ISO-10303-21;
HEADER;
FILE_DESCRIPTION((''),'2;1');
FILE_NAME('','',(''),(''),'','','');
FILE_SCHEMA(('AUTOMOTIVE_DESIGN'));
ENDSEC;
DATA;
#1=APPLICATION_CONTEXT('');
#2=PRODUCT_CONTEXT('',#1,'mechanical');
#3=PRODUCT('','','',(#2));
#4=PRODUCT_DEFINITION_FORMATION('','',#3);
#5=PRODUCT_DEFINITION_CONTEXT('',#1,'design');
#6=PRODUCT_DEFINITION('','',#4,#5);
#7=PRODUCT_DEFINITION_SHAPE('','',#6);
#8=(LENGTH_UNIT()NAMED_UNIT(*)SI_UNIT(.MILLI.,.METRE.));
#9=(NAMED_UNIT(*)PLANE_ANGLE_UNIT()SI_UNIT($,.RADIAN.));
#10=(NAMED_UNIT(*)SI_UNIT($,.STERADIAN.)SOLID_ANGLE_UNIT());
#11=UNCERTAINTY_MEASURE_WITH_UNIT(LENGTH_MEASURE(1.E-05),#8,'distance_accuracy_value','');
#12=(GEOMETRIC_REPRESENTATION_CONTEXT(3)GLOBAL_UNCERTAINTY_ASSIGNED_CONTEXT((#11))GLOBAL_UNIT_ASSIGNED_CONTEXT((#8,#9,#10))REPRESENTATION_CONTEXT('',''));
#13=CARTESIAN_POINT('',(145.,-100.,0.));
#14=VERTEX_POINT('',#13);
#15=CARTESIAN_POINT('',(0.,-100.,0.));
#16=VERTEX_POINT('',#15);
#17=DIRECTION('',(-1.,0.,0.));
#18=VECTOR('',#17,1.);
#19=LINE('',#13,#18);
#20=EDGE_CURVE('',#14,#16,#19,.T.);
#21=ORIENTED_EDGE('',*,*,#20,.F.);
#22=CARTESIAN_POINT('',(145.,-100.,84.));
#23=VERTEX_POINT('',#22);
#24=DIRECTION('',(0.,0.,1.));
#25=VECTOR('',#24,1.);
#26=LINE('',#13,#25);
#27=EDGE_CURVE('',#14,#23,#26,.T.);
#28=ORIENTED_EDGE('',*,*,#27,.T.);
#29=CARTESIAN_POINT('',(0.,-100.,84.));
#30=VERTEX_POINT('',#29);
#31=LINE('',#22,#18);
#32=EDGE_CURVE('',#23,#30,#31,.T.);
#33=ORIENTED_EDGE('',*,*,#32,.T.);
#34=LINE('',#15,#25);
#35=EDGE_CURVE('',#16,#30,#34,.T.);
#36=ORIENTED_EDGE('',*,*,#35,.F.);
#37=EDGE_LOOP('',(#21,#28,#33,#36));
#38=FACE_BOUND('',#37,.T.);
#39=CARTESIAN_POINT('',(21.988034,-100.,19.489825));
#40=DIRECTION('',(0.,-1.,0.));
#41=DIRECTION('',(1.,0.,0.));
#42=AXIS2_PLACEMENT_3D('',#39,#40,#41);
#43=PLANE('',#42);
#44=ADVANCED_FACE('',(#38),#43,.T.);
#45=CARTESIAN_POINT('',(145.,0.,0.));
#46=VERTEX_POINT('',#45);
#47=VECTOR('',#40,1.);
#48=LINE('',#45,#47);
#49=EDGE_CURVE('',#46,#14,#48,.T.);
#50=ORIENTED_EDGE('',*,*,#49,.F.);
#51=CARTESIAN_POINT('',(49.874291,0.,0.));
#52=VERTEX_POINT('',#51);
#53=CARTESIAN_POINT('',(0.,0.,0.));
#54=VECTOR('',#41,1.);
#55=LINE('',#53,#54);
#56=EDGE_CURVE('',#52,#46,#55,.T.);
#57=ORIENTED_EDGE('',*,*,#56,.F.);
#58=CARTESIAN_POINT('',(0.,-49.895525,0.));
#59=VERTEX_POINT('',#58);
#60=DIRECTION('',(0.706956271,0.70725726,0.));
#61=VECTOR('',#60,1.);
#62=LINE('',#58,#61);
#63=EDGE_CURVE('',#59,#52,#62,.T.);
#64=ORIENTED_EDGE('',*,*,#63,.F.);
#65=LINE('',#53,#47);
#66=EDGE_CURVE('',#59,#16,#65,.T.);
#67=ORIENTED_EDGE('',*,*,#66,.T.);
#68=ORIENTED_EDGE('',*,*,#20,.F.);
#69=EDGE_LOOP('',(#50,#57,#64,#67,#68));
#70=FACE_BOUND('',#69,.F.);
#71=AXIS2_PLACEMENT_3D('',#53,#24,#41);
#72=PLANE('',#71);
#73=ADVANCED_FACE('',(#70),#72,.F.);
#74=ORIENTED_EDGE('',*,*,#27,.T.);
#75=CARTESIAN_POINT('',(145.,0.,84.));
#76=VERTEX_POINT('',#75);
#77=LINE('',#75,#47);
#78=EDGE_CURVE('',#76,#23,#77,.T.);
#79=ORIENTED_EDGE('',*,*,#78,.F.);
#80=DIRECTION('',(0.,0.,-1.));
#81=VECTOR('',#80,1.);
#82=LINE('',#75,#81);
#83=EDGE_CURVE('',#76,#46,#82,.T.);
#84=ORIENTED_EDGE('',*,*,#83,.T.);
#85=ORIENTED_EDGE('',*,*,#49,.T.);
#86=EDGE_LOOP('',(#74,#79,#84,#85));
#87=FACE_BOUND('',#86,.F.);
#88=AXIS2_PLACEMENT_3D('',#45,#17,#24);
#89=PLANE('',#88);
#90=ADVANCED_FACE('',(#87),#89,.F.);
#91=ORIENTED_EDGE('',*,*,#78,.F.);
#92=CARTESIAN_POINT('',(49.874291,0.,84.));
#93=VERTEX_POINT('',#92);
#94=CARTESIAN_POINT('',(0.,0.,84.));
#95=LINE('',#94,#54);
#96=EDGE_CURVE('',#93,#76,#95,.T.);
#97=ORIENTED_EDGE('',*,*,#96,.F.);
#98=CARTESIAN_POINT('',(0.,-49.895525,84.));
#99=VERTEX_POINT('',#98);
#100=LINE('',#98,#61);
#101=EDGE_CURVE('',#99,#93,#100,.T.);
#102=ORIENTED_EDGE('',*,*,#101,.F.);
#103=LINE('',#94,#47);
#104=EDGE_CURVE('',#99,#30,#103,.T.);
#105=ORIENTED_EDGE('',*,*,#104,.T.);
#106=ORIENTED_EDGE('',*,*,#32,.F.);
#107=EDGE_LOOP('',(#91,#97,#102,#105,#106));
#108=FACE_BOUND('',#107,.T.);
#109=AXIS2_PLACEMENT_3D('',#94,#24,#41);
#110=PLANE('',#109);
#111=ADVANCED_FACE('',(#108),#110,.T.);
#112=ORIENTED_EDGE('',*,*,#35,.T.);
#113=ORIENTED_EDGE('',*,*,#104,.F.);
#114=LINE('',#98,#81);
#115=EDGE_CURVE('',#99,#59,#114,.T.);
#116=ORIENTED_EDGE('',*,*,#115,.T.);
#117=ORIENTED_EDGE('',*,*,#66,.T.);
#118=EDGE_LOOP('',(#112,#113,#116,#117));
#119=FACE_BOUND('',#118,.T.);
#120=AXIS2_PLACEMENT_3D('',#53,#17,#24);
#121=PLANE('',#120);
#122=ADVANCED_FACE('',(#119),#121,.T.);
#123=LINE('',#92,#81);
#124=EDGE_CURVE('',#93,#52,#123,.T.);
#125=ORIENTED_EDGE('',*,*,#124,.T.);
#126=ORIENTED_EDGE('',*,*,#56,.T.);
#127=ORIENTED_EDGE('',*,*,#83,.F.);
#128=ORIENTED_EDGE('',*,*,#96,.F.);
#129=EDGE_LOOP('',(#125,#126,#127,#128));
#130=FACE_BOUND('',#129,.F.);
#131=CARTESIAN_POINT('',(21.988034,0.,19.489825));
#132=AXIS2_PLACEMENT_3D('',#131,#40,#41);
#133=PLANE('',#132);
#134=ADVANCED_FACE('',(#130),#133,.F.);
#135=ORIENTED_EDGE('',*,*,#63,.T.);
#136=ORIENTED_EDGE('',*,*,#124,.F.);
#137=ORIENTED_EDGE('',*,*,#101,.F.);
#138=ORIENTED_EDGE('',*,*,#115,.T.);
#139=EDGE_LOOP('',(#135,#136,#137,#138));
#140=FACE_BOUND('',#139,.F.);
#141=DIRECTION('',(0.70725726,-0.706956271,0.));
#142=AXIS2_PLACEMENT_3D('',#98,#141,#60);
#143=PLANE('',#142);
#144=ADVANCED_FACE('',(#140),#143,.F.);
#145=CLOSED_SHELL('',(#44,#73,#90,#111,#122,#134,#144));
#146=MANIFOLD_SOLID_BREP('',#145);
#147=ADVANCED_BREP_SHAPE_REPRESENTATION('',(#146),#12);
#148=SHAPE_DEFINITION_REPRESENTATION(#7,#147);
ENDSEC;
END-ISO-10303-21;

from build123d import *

# Parameters (mm, degrees)
F0_W      = 43.9760684967
F0_H      = 38.9796495438
F1_DEPTH  = 145
F2_DEPTH  = 145
F3_DEPTH  = 84
F4_W      = 44.016815722
F4_H      = 37.3572036624
F5_DEPTH  = 10
F6_DEPTH  = 50
F8_DEPTH  = 50
F11_DEPTH = 84
F13_DEPTH = 45


with BuildPart() as f1:
    # F0 (on Front) → F1 (new body)
    with BuildSketch(Plane.XZ):
        with Locations((21.9880342484, 19.4898247719)):
            Rectangle(F0_W, F0_H)
    extrude(amount=F1_DEPTH)

    # F2 (add): a face of the model
    f2_faces = [f1.faces().sort_by_distance(p)[0] for p in [
        (0, -72.5, 19.4898247719),
    ]]
    extrude(f2_faces, amount=-F2_DEPTH)

    # F3 (add): a face of the model
    f3_faces = [f1.faces().sort_by_distance(p)[0] for p in [
        (72.5, -72.5, 0),
    ]]
    extrude(f3_faces, amount=-F3_DEPTH)

    # F10 (on face) → F11 (cut)
    with BuildSketch(Plane.XY.offset(84)):
        Polygon((0, -49.8955249786), (49.8742908239, 0), (0, 0), align=None)
    extrude(amount=-F11_DEPTH, mode=Mode.SUBTRACT)

    # F13 (cut): a face of the model
    f13_faces = [f1.faces().sort_by_distance(p)[0] for p in [
        (72.5, -145, 42),
    ]]
    extrude(f13_faces, amount=-F13_DEPTH, mode=Mode.SUBTRACT)


with BuildPart() as f5:
    # F4 (on face) → F5 (new body)
    with BuildSketch(Plane.XY.offset(84)):
        with Locations((22.008407861, -18.6786018312)):
            Rectangle(F4_W, F4_H)
    extrude(amount=F5_DEPTH)


with BuildPart() as f6:
    # F6 (new): a face of the model
    f6_faces = [f5.part.faces().sort_by_distance(p)[0] for p in [
        (22.008407861, 0, 89),
    ]]
    extrude(f6_faces, amount=-F6_DEPTH)


with BuildPart() as f8:
    # F8 (new): a face of the model
    f8_faces = [f6.part.faces().sort_by_distance(p)[0] for p in [
        (0, -25, 89),
    ]]
    extrude(f8_faces, amount=-F8_DEPTH)


solid = f1.part
